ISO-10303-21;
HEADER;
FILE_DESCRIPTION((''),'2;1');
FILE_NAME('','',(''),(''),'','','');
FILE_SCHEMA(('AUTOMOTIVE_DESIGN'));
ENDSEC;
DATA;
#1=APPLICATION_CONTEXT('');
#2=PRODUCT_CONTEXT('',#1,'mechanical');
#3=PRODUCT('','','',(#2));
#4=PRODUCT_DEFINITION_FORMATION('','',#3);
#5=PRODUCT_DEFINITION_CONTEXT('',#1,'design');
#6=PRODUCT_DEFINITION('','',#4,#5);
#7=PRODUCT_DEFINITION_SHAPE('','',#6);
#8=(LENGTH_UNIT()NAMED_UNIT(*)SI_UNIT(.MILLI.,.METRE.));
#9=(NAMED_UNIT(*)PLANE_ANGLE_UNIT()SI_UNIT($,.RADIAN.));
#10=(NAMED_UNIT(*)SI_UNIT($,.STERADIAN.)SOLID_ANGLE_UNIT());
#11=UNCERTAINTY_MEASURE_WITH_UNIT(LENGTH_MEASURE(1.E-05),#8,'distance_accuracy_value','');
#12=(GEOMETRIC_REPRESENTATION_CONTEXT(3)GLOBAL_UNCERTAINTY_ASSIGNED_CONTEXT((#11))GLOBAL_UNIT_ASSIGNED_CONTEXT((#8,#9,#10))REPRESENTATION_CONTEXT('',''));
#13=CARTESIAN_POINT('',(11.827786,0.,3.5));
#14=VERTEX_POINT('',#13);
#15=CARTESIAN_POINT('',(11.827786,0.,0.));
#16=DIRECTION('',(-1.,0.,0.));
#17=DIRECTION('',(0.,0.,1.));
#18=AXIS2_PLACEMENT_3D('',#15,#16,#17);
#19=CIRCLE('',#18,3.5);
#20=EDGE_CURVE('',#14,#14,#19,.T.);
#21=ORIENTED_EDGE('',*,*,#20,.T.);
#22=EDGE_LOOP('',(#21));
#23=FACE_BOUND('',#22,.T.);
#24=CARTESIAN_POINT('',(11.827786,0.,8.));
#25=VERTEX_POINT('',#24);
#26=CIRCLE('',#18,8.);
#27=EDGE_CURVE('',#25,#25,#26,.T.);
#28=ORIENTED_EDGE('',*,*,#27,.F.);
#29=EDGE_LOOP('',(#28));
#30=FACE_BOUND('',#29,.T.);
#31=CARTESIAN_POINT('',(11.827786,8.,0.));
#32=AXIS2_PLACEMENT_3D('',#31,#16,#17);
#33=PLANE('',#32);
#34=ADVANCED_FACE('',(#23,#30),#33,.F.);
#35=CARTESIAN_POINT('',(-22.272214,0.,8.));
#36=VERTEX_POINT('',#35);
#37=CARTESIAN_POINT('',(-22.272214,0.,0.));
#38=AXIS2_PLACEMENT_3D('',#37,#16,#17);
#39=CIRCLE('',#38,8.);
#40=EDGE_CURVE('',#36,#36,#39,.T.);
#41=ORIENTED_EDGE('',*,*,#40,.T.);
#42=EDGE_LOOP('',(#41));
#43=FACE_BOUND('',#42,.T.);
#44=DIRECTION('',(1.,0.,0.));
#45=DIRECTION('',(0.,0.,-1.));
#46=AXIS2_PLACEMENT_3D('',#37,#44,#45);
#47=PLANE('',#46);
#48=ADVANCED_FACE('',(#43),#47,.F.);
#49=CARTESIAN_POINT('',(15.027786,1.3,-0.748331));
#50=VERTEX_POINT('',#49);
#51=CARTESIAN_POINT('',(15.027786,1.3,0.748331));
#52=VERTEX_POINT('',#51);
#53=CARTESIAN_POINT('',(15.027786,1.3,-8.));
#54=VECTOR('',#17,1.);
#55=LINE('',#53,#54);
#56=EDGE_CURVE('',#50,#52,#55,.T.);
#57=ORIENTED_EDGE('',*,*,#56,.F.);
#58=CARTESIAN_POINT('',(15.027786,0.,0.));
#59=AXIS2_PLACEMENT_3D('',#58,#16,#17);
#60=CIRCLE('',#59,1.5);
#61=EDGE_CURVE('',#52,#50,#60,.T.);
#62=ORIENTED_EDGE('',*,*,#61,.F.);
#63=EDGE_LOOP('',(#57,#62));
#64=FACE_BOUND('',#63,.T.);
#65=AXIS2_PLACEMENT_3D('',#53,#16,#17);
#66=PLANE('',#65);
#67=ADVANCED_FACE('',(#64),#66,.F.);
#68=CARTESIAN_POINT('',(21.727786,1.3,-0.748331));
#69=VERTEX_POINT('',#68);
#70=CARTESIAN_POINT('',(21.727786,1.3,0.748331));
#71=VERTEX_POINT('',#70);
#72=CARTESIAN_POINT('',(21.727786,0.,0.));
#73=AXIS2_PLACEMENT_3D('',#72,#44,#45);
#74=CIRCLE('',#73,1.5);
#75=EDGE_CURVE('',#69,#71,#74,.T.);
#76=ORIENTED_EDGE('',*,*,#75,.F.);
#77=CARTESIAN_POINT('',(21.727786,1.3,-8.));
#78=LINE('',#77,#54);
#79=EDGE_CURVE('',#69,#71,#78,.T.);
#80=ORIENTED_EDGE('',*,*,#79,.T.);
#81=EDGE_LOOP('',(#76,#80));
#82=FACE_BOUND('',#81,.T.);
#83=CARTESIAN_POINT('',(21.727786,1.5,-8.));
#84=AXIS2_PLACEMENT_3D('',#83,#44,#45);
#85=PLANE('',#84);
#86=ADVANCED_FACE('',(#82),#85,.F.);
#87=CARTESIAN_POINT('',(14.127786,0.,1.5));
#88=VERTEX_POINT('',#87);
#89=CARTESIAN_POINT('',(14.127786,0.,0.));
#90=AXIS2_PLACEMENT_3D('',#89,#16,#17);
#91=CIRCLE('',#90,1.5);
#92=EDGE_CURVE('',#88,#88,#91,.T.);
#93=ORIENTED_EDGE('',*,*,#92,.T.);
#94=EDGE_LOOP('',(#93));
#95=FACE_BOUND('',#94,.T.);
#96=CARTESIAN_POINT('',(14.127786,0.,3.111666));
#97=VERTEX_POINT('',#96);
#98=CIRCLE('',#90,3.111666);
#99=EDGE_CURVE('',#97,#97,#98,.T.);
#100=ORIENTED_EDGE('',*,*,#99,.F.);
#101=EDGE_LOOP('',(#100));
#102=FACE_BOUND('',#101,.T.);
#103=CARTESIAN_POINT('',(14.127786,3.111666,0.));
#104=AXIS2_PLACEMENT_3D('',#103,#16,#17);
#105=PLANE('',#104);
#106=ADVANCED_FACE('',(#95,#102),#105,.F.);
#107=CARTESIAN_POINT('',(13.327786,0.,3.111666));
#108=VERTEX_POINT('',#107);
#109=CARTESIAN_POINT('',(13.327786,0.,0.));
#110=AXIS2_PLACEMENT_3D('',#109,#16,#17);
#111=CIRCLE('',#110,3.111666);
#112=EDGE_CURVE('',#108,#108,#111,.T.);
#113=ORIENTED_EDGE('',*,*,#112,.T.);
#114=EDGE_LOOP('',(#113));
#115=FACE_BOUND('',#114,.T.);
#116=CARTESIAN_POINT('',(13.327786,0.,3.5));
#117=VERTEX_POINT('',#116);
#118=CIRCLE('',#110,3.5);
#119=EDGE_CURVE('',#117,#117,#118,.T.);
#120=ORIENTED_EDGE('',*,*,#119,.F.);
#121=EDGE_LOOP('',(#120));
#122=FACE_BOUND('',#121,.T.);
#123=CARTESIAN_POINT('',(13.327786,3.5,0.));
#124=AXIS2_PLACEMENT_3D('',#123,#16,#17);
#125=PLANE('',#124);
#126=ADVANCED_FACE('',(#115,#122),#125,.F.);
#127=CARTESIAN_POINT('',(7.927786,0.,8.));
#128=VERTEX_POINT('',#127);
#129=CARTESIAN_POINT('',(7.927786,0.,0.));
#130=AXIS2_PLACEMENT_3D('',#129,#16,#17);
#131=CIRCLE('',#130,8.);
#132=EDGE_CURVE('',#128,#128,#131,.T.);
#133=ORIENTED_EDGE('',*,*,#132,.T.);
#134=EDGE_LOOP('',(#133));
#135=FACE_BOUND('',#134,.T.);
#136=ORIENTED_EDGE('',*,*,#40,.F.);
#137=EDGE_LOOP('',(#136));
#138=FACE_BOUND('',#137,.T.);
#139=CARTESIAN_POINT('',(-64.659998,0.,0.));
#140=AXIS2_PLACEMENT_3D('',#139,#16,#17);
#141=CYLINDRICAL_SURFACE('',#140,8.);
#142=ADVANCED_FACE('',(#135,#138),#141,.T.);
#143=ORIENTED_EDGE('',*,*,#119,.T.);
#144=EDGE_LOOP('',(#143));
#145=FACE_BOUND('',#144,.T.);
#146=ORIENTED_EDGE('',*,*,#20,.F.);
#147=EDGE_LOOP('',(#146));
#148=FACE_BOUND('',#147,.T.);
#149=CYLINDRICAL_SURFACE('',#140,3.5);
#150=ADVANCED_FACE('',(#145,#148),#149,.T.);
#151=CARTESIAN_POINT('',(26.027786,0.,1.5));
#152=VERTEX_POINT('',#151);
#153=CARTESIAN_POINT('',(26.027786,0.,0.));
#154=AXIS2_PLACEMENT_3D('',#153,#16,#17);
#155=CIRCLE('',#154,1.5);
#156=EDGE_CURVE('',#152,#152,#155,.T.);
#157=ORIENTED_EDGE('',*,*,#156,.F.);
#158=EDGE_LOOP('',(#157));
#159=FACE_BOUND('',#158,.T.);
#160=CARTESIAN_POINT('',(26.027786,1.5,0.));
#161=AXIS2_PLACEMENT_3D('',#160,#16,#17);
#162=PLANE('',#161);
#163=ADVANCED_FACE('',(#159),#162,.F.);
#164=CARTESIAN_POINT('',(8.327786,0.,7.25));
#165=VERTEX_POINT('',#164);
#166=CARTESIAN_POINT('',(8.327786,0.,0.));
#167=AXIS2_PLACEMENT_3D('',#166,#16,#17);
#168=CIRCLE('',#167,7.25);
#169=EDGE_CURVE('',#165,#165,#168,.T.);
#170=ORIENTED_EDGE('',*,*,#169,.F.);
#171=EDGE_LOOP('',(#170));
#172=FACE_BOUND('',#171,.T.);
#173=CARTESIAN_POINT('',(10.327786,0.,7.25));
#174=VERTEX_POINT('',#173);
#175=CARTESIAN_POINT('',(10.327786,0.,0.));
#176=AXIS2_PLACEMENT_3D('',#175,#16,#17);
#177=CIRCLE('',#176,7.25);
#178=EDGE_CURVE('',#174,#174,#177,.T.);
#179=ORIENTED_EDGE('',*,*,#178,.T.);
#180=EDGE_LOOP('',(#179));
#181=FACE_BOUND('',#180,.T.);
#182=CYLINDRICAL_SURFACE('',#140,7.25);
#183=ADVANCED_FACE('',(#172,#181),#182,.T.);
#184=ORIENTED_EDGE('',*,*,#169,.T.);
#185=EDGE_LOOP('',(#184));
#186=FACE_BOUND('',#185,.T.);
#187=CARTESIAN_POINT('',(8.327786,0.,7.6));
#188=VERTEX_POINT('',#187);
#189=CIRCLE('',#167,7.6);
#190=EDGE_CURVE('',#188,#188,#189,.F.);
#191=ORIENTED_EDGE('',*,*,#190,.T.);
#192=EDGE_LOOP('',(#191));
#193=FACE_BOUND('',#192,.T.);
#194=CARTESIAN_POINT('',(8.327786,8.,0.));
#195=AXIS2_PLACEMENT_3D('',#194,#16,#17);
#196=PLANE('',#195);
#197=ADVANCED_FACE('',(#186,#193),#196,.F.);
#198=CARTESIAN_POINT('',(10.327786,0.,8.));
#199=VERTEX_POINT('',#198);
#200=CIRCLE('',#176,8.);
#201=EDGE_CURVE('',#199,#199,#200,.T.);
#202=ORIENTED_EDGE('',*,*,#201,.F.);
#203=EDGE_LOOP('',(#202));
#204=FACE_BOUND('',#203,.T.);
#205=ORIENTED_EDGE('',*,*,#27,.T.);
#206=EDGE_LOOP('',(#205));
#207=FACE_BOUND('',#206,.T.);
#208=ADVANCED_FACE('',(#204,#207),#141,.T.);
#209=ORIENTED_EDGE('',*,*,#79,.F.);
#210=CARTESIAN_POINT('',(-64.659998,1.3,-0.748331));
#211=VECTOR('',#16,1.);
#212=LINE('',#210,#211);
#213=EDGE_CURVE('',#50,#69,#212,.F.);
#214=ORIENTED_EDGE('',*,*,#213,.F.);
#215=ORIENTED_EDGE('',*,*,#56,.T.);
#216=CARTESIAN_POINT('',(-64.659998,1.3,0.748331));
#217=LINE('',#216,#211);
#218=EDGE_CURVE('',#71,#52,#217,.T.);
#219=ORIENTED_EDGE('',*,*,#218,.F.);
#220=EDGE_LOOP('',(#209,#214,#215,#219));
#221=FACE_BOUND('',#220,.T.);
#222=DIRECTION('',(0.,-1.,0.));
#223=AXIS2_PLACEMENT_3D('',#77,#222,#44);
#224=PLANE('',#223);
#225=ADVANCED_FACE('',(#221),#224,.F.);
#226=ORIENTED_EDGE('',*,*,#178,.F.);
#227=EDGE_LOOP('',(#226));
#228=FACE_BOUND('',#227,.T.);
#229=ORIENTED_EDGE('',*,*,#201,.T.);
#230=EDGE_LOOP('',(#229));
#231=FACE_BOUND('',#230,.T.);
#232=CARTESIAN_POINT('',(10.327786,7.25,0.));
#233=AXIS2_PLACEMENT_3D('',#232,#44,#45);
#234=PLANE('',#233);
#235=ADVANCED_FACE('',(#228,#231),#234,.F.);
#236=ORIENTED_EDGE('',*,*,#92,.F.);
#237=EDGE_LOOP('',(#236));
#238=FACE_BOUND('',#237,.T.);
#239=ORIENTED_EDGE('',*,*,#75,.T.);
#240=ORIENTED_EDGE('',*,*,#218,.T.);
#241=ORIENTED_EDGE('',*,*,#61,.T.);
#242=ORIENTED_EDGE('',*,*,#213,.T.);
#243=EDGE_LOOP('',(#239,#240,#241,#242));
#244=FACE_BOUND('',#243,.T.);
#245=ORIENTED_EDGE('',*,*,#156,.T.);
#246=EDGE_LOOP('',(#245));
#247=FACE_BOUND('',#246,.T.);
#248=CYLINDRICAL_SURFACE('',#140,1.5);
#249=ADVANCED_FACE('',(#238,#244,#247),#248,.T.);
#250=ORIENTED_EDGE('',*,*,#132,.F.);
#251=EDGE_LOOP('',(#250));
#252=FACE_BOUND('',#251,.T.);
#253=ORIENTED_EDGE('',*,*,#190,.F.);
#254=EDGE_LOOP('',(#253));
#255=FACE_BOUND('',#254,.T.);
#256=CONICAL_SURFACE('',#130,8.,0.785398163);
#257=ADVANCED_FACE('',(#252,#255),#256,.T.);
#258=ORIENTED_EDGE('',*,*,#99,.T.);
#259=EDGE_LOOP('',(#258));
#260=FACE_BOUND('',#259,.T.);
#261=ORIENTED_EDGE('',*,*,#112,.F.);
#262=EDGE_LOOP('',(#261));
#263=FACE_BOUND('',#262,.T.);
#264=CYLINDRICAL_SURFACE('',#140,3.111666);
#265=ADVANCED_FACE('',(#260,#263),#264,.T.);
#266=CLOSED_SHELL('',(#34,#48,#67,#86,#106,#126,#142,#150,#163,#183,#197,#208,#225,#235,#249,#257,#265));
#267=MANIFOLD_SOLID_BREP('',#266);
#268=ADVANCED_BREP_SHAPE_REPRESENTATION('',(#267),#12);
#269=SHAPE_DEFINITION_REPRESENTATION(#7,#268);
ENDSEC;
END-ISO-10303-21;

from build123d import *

# Parameters (mm, degrees)
CHANFREIN1_SIZE       = 0.4
EXTRUSION1_DEPTH      = 29.380374565
EXTRUSION1_DEPTH_BACK = 29.380374565
ESQUISSE2_W           = 6.7
ESQUISSE2_H           = 0.2


with BuildPart() as part:
    # Esquisse1 → Révolution1 (revolve)
    with BuildSketch(Plane.XY, mode=Mode.PRIVATE) as r_volution1_sk:
        Polygon((-22.272213686, 0), (-22.272213686, 8), (8.327786314, 8), (8.327786314, 7.25), (10.327786314, 7.25), (10.327786314, 8), (11.827786314, 8), (11.827786314, 3.5), (13.327786314, 3.5), (13.327786314, 3.111665859), (14.127786314, 3.111665859), (14.127786314, 1.5), (26.027786314, 1.5), (26.027786314, 0), align=None)
    revolve(r_volution1_sk.sketch.rotate(Axis((-64.659997946, 0, 0), (1, 0, 0)), 90), axis=Axis((-64.659997946, 0, 0), (1, 0, 0)))

    # Chanfrein1
    chanfrein1_edges = [part.edges().sort_by_distance(p)[0] for p in [
        (8.327786314, 0, -8),
    ]]
    chamfer(chanfrein1_edges, length=CHANFREIN1_SIZE)

    # Esquisse2 → Extrusion1 (cut, two sides: drawn at the far end of the back side and taken through both)
    with BuildSketch(Plane.XY.offset(-EXTRUSION1_DEPTH_BACK)):
        with Locations((18.377786314, 1.4)):
            Rectangle(ESQUISSE2_W, ESQUISSE2_H)
    extrude(amount=EXTRUSION1_DEPTH + EXTRUSION1_DEPTH_BACK, mode=Mode.SUBTRACT)


solid = part.part
